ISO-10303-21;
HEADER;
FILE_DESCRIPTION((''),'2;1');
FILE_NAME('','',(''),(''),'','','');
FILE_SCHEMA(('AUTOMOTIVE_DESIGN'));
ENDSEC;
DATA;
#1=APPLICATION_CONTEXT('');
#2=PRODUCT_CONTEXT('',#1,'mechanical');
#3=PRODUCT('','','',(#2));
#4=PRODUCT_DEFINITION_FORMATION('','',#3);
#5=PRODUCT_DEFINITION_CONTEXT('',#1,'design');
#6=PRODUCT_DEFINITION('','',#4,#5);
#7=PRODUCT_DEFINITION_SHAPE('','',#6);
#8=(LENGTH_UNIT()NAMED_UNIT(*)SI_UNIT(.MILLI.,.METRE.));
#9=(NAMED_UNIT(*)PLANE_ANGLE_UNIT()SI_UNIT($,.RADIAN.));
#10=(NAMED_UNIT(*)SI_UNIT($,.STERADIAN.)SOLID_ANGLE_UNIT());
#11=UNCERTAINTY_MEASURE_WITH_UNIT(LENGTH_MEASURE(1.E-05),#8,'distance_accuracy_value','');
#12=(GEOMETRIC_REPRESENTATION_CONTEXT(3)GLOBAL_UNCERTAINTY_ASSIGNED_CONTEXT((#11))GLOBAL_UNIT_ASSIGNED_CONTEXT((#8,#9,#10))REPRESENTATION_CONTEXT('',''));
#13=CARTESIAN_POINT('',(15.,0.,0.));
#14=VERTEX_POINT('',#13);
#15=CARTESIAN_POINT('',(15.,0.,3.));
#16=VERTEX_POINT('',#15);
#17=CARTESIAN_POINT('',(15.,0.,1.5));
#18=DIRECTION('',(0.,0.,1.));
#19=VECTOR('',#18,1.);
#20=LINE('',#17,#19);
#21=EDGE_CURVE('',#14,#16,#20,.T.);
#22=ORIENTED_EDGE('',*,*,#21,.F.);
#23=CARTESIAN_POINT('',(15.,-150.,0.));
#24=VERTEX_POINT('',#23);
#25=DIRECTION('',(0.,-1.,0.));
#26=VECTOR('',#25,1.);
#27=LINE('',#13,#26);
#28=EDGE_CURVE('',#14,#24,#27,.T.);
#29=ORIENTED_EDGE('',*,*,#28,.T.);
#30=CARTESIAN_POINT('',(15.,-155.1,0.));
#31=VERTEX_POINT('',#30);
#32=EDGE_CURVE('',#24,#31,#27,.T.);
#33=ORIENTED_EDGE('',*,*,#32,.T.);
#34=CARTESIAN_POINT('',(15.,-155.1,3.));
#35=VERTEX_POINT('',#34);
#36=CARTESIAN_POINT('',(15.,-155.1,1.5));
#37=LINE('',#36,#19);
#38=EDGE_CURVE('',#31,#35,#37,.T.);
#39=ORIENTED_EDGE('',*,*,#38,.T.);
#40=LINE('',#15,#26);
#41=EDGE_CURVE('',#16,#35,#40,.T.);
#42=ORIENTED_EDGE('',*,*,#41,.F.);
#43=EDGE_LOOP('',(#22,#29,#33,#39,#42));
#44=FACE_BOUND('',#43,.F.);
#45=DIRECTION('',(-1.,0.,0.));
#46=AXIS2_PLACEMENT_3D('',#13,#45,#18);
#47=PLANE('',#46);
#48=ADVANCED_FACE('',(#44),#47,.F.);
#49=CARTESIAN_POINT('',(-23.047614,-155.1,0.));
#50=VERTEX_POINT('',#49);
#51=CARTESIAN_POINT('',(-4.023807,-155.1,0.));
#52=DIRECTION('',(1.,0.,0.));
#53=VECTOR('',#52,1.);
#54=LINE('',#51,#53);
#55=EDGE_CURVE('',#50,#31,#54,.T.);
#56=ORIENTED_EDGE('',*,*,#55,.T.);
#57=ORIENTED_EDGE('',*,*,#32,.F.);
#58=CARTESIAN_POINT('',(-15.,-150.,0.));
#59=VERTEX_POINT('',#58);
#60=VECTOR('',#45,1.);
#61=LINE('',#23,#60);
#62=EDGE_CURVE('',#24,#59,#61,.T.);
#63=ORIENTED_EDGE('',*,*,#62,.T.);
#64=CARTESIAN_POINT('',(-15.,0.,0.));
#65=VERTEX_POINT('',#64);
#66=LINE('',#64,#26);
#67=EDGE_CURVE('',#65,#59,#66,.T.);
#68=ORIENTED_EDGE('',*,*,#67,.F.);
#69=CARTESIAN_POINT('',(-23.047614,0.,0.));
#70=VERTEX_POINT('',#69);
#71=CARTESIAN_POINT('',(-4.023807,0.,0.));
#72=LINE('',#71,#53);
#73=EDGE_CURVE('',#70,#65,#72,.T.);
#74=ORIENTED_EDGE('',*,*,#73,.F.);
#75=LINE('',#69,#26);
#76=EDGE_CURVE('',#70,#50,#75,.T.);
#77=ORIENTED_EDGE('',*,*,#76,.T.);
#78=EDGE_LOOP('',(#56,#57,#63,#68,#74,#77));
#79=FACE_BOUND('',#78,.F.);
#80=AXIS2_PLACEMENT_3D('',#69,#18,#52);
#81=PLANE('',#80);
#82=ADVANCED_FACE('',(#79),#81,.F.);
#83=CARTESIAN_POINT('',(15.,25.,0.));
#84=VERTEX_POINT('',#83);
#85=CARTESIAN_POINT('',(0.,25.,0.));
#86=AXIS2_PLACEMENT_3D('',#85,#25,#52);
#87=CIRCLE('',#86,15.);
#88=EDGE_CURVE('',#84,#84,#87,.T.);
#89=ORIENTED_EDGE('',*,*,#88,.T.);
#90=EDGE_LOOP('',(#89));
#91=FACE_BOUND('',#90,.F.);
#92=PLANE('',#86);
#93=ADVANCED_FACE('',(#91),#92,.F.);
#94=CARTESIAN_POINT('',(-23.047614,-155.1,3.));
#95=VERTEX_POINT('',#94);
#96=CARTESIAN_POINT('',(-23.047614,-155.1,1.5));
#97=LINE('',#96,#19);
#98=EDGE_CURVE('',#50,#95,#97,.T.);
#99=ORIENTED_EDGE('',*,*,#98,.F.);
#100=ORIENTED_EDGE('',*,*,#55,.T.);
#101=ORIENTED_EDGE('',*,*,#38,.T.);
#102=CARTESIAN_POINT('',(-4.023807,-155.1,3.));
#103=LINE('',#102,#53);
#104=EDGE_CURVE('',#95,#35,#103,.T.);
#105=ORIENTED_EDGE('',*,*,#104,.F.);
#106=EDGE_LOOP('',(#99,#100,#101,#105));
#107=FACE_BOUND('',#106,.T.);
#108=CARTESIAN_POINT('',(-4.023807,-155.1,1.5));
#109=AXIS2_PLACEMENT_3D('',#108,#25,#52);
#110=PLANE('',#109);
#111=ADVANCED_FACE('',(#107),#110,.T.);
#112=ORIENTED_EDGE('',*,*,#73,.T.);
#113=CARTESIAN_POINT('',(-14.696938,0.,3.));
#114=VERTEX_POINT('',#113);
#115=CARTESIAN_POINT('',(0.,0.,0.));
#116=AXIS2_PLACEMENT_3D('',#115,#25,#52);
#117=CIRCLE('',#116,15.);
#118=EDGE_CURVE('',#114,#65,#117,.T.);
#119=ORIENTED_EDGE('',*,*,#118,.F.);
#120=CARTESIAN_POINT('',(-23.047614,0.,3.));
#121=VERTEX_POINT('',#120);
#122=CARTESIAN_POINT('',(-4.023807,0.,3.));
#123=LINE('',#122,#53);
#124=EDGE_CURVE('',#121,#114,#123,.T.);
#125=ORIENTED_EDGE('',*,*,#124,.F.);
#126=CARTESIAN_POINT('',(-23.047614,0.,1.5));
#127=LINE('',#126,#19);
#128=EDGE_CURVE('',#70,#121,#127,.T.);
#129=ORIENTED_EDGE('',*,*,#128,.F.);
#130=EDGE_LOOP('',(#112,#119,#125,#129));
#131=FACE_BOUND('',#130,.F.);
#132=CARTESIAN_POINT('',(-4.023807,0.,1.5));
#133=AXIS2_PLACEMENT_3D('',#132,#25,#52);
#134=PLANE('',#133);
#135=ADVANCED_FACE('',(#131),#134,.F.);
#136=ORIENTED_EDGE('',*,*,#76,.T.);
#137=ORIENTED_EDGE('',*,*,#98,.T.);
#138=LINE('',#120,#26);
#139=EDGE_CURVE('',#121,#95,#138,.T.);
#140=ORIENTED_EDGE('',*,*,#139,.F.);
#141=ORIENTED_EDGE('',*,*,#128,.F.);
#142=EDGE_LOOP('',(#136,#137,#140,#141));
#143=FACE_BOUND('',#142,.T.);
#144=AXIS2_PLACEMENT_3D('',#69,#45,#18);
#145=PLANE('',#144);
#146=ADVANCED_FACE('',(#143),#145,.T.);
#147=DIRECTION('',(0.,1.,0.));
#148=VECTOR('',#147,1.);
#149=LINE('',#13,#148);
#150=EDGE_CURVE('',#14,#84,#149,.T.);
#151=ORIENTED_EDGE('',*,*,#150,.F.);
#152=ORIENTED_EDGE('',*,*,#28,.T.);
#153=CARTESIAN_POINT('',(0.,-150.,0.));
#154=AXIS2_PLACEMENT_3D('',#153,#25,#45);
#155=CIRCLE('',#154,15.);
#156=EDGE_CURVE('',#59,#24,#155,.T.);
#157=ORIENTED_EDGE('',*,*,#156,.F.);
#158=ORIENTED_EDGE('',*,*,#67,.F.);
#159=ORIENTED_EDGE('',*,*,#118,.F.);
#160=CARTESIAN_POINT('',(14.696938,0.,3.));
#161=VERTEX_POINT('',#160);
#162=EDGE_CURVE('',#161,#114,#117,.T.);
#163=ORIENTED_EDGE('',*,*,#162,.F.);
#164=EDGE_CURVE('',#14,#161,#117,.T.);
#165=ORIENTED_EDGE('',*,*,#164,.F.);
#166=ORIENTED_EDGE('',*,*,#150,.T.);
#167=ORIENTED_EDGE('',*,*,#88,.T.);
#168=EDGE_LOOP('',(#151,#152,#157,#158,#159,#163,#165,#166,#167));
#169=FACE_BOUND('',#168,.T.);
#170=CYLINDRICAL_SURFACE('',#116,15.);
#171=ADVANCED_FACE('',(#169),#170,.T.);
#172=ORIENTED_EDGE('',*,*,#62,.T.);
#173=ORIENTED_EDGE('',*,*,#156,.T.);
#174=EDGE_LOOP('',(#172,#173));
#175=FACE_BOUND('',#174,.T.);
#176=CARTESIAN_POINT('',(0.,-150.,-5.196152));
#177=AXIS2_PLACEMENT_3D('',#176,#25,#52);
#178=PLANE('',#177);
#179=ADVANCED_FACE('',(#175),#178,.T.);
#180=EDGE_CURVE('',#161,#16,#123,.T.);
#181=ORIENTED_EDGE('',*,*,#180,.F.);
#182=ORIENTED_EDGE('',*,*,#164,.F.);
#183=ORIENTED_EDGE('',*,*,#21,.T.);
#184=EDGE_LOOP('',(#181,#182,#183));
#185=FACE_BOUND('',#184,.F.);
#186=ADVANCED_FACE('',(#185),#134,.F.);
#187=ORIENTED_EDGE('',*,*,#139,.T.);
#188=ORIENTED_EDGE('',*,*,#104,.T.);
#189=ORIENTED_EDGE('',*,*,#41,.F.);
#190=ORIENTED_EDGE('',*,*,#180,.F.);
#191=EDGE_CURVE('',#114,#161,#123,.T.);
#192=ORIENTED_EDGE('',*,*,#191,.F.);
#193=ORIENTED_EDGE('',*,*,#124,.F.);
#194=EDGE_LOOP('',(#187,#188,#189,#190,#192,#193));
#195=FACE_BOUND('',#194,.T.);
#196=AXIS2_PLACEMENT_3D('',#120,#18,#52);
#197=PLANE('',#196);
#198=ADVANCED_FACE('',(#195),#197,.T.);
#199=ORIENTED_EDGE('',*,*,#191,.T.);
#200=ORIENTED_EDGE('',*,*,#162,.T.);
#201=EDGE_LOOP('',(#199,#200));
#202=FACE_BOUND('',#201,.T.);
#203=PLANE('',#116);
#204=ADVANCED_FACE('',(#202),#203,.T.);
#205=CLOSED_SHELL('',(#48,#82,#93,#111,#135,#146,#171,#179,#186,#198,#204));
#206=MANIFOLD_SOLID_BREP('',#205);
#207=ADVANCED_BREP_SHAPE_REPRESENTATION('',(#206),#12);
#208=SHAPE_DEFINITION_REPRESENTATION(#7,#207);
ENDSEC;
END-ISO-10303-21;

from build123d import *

# Parameters (mm, degrees)
F1_DEPTH = 150
F3_R     = 15
F4_DEPTH = 25
F5_W     = 38.047614
F5_H     = 3
F6_DEPTH = 155.1


with BuildPart() as f1:
    # F0 (on Front) → F1 (new body)
    with BuildSketch(Plane.XZ):
        with BuildLine():
            Line((15, 0), (-15, 0))
            ThreePointArc((-15, 0), (0, -15), (15, 0))
        make_face()
    extrude(amount=F1_DEPTH)

    # F3 (on Front) → F4 (join)
    with BuildSketch(Plane.XZ):
        Circle(F3_R)
    extrude(amount=-F4_DEPTH)

    # F5 (on face) → F6 (join)
    with BuildSketch(Plane.XZ):
        with Locations((-4.023807, 1.5)):
            Rectangle(F5_W, F5_H)
    extrude(amount=F6_DEPTH)


solid = f1.part
